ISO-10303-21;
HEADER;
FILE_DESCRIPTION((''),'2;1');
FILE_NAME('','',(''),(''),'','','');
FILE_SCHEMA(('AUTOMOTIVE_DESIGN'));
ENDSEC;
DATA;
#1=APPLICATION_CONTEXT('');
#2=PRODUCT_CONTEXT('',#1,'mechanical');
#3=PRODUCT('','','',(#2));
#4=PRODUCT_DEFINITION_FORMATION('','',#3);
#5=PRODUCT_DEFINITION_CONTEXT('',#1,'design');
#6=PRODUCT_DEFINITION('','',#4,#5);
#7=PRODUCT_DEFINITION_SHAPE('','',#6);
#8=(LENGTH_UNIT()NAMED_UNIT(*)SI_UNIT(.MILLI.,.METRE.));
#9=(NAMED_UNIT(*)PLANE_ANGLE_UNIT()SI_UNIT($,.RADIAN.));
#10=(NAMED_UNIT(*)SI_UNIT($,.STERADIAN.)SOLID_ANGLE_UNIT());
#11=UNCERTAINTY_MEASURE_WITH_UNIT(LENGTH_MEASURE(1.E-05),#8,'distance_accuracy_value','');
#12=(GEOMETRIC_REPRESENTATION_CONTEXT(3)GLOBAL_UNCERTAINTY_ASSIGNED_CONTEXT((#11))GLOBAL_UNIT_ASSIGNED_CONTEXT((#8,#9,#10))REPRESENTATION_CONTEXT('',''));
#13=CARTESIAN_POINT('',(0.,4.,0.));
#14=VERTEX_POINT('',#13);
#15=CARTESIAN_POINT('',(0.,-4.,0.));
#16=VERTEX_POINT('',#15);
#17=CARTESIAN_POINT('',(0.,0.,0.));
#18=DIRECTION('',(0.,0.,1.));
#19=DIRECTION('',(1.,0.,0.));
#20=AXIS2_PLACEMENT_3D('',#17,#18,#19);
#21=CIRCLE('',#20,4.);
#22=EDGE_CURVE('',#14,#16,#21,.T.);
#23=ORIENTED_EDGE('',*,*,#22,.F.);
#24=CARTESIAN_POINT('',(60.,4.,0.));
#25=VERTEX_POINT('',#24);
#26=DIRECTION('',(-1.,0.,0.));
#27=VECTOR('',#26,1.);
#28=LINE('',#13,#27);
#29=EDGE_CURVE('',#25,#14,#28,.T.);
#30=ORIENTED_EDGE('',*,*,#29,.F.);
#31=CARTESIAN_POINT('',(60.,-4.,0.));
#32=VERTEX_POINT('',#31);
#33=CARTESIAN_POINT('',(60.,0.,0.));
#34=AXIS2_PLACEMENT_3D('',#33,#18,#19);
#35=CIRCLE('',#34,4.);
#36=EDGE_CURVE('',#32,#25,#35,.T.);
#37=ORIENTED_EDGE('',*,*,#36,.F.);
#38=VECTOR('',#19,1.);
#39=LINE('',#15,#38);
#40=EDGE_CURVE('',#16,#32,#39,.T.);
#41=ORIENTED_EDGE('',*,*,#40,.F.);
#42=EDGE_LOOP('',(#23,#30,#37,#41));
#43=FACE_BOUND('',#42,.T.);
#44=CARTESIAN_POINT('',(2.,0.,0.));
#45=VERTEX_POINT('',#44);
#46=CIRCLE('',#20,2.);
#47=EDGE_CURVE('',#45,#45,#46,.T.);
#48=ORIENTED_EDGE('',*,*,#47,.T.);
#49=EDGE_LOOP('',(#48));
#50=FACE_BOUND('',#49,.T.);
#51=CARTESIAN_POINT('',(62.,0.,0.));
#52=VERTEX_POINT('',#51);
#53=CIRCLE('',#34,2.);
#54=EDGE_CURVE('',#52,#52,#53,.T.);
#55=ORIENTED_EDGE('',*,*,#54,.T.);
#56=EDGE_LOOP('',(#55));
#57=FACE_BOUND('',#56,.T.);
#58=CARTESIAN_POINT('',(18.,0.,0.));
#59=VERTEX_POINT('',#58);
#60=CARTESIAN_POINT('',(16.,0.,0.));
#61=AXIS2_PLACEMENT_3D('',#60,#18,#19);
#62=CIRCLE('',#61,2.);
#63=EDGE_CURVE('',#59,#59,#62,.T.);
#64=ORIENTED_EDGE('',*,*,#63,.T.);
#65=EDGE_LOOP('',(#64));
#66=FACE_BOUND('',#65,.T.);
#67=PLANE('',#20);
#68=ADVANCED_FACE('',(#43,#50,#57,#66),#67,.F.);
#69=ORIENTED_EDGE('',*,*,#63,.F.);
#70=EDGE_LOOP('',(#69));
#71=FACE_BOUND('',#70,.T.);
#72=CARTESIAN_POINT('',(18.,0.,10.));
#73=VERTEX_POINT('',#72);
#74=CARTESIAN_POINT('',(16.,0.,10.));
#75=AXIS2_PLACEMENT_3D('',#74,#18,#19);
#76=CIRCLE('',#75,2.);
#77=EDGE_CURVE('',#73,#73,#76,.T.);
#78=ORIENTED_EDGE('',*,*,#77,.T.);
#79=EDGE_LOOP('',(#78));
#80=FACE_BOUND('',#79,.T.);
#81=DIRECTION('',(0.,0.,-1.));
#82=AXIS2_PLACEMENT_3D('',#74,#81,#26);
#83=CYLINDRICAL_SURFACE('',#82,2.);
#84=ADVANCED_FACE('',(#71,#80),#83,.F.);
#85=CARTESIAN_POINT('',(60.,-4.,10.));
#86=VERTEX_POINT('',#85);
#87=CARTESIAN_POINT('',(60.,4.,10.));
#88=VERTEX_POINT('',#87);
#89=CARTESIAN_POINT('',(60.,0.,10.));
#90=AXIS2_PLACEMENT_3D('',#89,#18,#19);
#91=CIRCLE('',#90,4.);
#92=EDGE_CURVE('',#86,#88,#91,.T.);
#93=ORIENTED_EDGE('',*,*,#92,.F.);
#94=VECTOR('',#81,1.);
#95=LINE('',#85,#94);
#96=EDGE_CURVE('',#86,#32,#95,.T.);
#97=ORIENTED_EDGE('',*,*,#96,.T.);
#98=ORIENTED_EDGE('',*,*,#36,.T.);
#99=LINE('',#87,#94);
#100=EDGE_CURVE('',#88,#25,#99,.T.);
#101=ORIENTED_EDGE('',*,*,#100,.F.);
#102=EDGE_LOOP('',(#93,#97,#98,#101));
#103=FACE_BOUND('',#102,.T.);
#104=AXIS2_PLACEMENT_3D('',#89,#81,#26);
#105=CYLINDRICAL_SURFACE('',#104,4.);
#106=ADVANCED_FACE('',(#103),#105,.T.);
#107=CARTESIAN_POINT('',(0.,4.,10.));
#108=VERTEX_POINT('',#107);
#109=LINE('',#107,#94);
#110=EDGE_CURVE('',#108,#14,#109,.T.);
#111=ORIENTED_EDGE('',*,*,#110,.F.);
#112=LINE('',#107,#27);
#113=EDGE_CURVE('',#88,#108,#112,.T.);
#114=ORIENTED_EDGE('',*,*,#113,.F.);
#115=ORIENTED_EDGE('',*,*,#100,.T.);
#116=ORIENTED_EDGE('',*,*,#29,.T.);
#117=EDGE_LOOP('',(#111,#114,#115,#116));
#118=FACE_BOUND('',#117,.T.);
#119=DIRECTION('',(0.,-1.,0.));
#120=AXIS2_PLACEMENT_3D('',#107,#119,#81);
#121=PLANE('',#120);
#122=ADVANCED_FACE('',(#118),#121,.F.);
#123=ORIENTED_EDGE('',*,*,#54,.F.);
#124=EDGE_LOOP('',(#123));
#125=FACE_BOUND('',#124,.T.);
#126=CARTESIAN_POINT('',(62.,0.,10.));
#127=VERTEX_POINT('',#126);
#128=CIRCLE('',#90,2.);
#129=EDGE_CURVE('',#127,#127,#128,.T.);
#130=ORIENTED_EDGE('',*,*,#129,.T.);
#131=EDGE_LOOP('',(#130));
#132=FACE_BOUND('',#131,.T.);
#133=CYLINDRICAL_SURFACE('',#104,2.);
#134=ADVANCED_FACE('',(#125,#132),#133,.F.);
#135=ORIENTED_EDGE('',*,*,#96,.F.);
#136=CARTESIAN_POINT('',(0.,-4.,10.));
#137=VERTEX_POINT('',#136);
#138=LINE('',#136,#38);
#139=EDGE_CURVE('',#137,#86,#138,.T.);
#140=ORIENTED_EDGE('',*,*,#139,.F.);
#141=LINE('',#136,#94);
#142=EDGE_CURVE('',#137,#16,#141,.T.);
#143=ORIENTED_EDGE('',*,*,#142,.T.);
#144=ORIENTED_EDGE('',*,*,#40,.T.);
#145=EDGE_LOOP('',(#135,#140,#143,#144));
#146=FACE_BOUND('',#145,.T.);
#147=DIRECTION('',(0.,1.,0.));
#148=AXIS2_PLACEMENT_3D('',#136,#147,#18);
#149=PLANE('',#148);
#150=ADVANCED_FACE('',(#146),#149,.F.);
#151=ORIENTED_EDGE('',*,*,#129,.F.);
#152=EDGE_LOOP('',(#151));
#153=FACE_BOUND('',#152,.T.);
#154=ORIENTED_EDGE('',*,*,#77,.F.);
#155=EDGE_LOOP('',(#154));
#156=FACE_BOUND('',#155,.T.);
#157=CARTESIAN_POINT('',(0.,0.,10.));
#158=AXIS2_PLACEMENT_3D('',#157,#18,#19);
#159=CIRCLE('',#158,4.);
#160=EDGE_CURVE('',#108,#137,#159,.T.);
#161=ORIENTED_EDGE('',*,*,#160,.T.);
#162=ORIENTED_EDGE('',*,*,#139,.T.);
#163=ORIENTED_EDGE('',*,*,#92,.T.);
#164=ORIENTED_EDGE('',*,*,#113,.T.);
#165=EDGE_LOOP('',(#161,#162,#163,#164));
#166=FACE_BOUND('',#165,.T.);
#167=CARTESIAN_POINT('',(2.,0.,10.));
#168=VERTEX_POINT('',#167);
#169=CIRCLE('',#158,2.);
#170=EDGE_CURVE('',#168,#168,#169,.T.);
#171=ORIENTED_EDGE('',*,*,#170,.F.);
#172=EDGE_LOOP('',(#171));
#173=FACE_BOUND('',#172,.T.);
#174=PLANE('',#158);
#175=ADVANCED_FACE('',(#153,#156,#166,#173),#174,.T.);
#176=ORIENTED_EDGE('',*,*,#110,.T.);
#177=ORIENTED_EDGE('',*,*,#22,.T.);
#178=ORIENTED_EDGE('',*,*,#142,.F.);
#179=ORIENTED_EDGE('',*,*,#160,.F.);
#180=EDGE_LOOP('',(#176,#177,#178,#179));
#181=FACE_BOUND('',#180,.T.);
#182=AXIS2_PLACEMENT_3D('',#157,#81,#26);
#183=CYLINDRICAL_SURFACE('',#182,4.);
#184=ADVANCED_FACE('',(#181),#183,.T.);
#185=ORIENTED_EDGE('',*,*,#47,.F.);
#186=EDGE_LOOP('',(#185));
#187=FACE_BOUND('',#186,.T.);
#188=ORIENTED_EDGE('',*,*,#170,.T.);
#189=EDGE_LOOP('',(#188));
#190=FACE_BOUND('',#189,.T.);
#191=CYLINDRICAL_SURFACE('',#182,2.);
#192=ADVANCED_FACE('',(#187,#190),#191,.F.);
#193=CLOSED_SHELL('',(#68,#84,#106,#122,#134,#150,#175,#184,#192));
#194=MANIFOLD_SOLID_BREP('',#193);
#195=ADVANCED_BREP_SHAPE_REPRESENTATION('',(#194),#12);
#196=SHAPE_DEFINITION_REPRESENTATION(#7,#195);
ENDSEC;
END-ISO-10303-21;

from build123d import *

# Parameters (mm, degrees)
ESQUISSE1_R        = 2
BOSS_EXTRU_1_DEPTH = 10


with BuildPart() as part:
    # Esquisse1 → Boss.-Extru.1 (new body)
    with BuildSketch(Plane.XY):
        with BuildLine():
            Line((0, 4), (60, 4))
            ThreePointArc((60, 4), (64, 0), (60, -4))
            Line((60, -4), (0, -4))
            ThreePointArc((0, -4), (-4, 0), (0, 4))
        make_face()
        Circle(ESQUISSE1_R, mode=Mode.SUBTRACT)
        with Locations((60, 0)):
            Circle(ESQUISSE1_R, mode=Mode.SUBTRACT)
        with Locations((16, 0)):
            Circle(ESQUISSE1_R, mode=Mode.SUBTRACT)
    extrude(amount=BOSS_EXTRU_1_DEPTH)


solid = part.part
